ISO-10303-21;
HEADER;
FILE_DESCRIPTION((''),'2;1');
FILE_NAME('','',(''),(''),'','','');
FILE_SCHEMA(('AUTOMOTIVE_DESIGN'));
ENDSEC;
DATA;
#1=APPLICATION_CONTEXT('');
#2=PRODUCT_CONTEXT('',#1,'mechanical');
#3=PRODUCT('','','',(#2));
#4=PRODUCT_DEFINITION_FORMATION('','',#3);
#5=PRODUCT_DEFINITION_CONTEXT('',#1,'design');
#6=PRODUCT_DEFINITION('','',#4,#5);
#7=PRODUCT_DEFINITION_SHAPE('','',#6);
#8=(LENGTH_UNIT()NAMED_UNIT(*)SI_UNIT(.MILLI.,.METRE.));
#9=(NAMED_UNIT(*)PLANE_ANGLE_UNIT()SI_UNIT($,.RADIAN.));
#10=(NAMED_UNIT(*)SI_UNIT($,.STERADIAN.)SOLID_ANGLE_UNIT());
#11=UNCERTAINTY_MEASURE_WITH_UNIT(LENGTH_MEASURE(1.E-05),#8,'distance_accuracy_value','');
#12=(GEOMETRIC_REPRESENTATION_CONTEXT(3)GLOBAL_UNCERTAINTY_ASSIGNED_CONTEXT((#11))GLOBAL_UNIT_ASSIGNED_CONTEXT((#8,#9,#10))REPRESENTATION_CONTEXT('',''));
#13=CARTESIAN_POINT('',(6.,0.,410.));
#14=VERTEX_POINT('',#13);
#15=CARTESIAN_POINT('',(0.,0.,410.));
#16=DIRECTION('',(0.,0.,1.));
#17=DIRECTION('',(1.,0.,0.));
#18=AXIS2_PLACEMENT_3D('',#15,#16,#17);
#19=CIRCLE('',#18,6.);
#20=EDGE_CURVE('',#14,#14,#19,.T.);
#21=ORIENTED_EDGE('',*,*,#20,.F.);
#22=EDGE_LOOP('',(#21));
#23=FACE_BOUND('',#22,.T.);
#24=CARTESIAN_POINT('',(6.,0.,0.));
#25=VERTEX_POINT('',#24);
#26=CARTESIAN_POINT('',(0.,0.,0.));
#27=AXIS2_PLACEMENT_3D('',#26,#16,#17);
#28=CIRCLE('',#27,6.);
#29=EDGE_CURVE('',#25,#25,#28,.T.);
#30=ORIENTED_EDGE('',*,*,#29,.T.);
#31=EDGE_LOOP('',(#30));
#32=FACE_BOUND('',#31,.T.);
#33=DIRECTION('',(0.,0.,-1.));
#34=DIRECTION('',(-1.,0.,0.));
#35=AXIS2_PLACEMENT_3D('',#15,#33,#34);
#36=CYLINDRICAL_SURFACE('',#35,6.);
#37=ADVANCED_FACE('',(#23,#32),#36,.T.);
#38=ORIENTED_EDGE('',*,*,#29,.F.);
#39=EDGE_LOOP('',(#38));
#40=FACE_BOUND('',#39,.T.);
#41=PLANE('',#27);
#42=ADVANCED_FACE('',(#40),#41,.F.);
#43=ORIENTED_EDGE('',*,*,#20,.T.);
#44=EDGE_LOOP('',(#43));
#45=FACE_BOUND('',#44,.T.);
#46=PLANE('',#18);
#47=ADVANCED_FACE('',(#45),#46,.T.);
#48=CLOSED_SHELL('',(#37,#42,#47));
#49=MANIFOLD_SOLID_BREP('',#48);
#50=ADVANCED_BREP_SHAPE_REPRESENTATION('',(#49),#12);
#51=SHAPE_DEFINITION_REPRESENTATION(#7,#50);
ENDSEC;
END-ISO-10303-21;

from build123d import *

# Parameters (mm, degrees)
SKETCH2_R           = 6
BOSS_EXTRUDE1_DEPTH = 410


with BuildPart() as part:
    # Sketch2 → Boss-Extrude1 (new body)
    with BuildSketch(Plane.XY):
        Circle(SKETCH2_R)
    extrude(amount=BOSS_EXTRUDE1_DEPTH)


solid = part.part
